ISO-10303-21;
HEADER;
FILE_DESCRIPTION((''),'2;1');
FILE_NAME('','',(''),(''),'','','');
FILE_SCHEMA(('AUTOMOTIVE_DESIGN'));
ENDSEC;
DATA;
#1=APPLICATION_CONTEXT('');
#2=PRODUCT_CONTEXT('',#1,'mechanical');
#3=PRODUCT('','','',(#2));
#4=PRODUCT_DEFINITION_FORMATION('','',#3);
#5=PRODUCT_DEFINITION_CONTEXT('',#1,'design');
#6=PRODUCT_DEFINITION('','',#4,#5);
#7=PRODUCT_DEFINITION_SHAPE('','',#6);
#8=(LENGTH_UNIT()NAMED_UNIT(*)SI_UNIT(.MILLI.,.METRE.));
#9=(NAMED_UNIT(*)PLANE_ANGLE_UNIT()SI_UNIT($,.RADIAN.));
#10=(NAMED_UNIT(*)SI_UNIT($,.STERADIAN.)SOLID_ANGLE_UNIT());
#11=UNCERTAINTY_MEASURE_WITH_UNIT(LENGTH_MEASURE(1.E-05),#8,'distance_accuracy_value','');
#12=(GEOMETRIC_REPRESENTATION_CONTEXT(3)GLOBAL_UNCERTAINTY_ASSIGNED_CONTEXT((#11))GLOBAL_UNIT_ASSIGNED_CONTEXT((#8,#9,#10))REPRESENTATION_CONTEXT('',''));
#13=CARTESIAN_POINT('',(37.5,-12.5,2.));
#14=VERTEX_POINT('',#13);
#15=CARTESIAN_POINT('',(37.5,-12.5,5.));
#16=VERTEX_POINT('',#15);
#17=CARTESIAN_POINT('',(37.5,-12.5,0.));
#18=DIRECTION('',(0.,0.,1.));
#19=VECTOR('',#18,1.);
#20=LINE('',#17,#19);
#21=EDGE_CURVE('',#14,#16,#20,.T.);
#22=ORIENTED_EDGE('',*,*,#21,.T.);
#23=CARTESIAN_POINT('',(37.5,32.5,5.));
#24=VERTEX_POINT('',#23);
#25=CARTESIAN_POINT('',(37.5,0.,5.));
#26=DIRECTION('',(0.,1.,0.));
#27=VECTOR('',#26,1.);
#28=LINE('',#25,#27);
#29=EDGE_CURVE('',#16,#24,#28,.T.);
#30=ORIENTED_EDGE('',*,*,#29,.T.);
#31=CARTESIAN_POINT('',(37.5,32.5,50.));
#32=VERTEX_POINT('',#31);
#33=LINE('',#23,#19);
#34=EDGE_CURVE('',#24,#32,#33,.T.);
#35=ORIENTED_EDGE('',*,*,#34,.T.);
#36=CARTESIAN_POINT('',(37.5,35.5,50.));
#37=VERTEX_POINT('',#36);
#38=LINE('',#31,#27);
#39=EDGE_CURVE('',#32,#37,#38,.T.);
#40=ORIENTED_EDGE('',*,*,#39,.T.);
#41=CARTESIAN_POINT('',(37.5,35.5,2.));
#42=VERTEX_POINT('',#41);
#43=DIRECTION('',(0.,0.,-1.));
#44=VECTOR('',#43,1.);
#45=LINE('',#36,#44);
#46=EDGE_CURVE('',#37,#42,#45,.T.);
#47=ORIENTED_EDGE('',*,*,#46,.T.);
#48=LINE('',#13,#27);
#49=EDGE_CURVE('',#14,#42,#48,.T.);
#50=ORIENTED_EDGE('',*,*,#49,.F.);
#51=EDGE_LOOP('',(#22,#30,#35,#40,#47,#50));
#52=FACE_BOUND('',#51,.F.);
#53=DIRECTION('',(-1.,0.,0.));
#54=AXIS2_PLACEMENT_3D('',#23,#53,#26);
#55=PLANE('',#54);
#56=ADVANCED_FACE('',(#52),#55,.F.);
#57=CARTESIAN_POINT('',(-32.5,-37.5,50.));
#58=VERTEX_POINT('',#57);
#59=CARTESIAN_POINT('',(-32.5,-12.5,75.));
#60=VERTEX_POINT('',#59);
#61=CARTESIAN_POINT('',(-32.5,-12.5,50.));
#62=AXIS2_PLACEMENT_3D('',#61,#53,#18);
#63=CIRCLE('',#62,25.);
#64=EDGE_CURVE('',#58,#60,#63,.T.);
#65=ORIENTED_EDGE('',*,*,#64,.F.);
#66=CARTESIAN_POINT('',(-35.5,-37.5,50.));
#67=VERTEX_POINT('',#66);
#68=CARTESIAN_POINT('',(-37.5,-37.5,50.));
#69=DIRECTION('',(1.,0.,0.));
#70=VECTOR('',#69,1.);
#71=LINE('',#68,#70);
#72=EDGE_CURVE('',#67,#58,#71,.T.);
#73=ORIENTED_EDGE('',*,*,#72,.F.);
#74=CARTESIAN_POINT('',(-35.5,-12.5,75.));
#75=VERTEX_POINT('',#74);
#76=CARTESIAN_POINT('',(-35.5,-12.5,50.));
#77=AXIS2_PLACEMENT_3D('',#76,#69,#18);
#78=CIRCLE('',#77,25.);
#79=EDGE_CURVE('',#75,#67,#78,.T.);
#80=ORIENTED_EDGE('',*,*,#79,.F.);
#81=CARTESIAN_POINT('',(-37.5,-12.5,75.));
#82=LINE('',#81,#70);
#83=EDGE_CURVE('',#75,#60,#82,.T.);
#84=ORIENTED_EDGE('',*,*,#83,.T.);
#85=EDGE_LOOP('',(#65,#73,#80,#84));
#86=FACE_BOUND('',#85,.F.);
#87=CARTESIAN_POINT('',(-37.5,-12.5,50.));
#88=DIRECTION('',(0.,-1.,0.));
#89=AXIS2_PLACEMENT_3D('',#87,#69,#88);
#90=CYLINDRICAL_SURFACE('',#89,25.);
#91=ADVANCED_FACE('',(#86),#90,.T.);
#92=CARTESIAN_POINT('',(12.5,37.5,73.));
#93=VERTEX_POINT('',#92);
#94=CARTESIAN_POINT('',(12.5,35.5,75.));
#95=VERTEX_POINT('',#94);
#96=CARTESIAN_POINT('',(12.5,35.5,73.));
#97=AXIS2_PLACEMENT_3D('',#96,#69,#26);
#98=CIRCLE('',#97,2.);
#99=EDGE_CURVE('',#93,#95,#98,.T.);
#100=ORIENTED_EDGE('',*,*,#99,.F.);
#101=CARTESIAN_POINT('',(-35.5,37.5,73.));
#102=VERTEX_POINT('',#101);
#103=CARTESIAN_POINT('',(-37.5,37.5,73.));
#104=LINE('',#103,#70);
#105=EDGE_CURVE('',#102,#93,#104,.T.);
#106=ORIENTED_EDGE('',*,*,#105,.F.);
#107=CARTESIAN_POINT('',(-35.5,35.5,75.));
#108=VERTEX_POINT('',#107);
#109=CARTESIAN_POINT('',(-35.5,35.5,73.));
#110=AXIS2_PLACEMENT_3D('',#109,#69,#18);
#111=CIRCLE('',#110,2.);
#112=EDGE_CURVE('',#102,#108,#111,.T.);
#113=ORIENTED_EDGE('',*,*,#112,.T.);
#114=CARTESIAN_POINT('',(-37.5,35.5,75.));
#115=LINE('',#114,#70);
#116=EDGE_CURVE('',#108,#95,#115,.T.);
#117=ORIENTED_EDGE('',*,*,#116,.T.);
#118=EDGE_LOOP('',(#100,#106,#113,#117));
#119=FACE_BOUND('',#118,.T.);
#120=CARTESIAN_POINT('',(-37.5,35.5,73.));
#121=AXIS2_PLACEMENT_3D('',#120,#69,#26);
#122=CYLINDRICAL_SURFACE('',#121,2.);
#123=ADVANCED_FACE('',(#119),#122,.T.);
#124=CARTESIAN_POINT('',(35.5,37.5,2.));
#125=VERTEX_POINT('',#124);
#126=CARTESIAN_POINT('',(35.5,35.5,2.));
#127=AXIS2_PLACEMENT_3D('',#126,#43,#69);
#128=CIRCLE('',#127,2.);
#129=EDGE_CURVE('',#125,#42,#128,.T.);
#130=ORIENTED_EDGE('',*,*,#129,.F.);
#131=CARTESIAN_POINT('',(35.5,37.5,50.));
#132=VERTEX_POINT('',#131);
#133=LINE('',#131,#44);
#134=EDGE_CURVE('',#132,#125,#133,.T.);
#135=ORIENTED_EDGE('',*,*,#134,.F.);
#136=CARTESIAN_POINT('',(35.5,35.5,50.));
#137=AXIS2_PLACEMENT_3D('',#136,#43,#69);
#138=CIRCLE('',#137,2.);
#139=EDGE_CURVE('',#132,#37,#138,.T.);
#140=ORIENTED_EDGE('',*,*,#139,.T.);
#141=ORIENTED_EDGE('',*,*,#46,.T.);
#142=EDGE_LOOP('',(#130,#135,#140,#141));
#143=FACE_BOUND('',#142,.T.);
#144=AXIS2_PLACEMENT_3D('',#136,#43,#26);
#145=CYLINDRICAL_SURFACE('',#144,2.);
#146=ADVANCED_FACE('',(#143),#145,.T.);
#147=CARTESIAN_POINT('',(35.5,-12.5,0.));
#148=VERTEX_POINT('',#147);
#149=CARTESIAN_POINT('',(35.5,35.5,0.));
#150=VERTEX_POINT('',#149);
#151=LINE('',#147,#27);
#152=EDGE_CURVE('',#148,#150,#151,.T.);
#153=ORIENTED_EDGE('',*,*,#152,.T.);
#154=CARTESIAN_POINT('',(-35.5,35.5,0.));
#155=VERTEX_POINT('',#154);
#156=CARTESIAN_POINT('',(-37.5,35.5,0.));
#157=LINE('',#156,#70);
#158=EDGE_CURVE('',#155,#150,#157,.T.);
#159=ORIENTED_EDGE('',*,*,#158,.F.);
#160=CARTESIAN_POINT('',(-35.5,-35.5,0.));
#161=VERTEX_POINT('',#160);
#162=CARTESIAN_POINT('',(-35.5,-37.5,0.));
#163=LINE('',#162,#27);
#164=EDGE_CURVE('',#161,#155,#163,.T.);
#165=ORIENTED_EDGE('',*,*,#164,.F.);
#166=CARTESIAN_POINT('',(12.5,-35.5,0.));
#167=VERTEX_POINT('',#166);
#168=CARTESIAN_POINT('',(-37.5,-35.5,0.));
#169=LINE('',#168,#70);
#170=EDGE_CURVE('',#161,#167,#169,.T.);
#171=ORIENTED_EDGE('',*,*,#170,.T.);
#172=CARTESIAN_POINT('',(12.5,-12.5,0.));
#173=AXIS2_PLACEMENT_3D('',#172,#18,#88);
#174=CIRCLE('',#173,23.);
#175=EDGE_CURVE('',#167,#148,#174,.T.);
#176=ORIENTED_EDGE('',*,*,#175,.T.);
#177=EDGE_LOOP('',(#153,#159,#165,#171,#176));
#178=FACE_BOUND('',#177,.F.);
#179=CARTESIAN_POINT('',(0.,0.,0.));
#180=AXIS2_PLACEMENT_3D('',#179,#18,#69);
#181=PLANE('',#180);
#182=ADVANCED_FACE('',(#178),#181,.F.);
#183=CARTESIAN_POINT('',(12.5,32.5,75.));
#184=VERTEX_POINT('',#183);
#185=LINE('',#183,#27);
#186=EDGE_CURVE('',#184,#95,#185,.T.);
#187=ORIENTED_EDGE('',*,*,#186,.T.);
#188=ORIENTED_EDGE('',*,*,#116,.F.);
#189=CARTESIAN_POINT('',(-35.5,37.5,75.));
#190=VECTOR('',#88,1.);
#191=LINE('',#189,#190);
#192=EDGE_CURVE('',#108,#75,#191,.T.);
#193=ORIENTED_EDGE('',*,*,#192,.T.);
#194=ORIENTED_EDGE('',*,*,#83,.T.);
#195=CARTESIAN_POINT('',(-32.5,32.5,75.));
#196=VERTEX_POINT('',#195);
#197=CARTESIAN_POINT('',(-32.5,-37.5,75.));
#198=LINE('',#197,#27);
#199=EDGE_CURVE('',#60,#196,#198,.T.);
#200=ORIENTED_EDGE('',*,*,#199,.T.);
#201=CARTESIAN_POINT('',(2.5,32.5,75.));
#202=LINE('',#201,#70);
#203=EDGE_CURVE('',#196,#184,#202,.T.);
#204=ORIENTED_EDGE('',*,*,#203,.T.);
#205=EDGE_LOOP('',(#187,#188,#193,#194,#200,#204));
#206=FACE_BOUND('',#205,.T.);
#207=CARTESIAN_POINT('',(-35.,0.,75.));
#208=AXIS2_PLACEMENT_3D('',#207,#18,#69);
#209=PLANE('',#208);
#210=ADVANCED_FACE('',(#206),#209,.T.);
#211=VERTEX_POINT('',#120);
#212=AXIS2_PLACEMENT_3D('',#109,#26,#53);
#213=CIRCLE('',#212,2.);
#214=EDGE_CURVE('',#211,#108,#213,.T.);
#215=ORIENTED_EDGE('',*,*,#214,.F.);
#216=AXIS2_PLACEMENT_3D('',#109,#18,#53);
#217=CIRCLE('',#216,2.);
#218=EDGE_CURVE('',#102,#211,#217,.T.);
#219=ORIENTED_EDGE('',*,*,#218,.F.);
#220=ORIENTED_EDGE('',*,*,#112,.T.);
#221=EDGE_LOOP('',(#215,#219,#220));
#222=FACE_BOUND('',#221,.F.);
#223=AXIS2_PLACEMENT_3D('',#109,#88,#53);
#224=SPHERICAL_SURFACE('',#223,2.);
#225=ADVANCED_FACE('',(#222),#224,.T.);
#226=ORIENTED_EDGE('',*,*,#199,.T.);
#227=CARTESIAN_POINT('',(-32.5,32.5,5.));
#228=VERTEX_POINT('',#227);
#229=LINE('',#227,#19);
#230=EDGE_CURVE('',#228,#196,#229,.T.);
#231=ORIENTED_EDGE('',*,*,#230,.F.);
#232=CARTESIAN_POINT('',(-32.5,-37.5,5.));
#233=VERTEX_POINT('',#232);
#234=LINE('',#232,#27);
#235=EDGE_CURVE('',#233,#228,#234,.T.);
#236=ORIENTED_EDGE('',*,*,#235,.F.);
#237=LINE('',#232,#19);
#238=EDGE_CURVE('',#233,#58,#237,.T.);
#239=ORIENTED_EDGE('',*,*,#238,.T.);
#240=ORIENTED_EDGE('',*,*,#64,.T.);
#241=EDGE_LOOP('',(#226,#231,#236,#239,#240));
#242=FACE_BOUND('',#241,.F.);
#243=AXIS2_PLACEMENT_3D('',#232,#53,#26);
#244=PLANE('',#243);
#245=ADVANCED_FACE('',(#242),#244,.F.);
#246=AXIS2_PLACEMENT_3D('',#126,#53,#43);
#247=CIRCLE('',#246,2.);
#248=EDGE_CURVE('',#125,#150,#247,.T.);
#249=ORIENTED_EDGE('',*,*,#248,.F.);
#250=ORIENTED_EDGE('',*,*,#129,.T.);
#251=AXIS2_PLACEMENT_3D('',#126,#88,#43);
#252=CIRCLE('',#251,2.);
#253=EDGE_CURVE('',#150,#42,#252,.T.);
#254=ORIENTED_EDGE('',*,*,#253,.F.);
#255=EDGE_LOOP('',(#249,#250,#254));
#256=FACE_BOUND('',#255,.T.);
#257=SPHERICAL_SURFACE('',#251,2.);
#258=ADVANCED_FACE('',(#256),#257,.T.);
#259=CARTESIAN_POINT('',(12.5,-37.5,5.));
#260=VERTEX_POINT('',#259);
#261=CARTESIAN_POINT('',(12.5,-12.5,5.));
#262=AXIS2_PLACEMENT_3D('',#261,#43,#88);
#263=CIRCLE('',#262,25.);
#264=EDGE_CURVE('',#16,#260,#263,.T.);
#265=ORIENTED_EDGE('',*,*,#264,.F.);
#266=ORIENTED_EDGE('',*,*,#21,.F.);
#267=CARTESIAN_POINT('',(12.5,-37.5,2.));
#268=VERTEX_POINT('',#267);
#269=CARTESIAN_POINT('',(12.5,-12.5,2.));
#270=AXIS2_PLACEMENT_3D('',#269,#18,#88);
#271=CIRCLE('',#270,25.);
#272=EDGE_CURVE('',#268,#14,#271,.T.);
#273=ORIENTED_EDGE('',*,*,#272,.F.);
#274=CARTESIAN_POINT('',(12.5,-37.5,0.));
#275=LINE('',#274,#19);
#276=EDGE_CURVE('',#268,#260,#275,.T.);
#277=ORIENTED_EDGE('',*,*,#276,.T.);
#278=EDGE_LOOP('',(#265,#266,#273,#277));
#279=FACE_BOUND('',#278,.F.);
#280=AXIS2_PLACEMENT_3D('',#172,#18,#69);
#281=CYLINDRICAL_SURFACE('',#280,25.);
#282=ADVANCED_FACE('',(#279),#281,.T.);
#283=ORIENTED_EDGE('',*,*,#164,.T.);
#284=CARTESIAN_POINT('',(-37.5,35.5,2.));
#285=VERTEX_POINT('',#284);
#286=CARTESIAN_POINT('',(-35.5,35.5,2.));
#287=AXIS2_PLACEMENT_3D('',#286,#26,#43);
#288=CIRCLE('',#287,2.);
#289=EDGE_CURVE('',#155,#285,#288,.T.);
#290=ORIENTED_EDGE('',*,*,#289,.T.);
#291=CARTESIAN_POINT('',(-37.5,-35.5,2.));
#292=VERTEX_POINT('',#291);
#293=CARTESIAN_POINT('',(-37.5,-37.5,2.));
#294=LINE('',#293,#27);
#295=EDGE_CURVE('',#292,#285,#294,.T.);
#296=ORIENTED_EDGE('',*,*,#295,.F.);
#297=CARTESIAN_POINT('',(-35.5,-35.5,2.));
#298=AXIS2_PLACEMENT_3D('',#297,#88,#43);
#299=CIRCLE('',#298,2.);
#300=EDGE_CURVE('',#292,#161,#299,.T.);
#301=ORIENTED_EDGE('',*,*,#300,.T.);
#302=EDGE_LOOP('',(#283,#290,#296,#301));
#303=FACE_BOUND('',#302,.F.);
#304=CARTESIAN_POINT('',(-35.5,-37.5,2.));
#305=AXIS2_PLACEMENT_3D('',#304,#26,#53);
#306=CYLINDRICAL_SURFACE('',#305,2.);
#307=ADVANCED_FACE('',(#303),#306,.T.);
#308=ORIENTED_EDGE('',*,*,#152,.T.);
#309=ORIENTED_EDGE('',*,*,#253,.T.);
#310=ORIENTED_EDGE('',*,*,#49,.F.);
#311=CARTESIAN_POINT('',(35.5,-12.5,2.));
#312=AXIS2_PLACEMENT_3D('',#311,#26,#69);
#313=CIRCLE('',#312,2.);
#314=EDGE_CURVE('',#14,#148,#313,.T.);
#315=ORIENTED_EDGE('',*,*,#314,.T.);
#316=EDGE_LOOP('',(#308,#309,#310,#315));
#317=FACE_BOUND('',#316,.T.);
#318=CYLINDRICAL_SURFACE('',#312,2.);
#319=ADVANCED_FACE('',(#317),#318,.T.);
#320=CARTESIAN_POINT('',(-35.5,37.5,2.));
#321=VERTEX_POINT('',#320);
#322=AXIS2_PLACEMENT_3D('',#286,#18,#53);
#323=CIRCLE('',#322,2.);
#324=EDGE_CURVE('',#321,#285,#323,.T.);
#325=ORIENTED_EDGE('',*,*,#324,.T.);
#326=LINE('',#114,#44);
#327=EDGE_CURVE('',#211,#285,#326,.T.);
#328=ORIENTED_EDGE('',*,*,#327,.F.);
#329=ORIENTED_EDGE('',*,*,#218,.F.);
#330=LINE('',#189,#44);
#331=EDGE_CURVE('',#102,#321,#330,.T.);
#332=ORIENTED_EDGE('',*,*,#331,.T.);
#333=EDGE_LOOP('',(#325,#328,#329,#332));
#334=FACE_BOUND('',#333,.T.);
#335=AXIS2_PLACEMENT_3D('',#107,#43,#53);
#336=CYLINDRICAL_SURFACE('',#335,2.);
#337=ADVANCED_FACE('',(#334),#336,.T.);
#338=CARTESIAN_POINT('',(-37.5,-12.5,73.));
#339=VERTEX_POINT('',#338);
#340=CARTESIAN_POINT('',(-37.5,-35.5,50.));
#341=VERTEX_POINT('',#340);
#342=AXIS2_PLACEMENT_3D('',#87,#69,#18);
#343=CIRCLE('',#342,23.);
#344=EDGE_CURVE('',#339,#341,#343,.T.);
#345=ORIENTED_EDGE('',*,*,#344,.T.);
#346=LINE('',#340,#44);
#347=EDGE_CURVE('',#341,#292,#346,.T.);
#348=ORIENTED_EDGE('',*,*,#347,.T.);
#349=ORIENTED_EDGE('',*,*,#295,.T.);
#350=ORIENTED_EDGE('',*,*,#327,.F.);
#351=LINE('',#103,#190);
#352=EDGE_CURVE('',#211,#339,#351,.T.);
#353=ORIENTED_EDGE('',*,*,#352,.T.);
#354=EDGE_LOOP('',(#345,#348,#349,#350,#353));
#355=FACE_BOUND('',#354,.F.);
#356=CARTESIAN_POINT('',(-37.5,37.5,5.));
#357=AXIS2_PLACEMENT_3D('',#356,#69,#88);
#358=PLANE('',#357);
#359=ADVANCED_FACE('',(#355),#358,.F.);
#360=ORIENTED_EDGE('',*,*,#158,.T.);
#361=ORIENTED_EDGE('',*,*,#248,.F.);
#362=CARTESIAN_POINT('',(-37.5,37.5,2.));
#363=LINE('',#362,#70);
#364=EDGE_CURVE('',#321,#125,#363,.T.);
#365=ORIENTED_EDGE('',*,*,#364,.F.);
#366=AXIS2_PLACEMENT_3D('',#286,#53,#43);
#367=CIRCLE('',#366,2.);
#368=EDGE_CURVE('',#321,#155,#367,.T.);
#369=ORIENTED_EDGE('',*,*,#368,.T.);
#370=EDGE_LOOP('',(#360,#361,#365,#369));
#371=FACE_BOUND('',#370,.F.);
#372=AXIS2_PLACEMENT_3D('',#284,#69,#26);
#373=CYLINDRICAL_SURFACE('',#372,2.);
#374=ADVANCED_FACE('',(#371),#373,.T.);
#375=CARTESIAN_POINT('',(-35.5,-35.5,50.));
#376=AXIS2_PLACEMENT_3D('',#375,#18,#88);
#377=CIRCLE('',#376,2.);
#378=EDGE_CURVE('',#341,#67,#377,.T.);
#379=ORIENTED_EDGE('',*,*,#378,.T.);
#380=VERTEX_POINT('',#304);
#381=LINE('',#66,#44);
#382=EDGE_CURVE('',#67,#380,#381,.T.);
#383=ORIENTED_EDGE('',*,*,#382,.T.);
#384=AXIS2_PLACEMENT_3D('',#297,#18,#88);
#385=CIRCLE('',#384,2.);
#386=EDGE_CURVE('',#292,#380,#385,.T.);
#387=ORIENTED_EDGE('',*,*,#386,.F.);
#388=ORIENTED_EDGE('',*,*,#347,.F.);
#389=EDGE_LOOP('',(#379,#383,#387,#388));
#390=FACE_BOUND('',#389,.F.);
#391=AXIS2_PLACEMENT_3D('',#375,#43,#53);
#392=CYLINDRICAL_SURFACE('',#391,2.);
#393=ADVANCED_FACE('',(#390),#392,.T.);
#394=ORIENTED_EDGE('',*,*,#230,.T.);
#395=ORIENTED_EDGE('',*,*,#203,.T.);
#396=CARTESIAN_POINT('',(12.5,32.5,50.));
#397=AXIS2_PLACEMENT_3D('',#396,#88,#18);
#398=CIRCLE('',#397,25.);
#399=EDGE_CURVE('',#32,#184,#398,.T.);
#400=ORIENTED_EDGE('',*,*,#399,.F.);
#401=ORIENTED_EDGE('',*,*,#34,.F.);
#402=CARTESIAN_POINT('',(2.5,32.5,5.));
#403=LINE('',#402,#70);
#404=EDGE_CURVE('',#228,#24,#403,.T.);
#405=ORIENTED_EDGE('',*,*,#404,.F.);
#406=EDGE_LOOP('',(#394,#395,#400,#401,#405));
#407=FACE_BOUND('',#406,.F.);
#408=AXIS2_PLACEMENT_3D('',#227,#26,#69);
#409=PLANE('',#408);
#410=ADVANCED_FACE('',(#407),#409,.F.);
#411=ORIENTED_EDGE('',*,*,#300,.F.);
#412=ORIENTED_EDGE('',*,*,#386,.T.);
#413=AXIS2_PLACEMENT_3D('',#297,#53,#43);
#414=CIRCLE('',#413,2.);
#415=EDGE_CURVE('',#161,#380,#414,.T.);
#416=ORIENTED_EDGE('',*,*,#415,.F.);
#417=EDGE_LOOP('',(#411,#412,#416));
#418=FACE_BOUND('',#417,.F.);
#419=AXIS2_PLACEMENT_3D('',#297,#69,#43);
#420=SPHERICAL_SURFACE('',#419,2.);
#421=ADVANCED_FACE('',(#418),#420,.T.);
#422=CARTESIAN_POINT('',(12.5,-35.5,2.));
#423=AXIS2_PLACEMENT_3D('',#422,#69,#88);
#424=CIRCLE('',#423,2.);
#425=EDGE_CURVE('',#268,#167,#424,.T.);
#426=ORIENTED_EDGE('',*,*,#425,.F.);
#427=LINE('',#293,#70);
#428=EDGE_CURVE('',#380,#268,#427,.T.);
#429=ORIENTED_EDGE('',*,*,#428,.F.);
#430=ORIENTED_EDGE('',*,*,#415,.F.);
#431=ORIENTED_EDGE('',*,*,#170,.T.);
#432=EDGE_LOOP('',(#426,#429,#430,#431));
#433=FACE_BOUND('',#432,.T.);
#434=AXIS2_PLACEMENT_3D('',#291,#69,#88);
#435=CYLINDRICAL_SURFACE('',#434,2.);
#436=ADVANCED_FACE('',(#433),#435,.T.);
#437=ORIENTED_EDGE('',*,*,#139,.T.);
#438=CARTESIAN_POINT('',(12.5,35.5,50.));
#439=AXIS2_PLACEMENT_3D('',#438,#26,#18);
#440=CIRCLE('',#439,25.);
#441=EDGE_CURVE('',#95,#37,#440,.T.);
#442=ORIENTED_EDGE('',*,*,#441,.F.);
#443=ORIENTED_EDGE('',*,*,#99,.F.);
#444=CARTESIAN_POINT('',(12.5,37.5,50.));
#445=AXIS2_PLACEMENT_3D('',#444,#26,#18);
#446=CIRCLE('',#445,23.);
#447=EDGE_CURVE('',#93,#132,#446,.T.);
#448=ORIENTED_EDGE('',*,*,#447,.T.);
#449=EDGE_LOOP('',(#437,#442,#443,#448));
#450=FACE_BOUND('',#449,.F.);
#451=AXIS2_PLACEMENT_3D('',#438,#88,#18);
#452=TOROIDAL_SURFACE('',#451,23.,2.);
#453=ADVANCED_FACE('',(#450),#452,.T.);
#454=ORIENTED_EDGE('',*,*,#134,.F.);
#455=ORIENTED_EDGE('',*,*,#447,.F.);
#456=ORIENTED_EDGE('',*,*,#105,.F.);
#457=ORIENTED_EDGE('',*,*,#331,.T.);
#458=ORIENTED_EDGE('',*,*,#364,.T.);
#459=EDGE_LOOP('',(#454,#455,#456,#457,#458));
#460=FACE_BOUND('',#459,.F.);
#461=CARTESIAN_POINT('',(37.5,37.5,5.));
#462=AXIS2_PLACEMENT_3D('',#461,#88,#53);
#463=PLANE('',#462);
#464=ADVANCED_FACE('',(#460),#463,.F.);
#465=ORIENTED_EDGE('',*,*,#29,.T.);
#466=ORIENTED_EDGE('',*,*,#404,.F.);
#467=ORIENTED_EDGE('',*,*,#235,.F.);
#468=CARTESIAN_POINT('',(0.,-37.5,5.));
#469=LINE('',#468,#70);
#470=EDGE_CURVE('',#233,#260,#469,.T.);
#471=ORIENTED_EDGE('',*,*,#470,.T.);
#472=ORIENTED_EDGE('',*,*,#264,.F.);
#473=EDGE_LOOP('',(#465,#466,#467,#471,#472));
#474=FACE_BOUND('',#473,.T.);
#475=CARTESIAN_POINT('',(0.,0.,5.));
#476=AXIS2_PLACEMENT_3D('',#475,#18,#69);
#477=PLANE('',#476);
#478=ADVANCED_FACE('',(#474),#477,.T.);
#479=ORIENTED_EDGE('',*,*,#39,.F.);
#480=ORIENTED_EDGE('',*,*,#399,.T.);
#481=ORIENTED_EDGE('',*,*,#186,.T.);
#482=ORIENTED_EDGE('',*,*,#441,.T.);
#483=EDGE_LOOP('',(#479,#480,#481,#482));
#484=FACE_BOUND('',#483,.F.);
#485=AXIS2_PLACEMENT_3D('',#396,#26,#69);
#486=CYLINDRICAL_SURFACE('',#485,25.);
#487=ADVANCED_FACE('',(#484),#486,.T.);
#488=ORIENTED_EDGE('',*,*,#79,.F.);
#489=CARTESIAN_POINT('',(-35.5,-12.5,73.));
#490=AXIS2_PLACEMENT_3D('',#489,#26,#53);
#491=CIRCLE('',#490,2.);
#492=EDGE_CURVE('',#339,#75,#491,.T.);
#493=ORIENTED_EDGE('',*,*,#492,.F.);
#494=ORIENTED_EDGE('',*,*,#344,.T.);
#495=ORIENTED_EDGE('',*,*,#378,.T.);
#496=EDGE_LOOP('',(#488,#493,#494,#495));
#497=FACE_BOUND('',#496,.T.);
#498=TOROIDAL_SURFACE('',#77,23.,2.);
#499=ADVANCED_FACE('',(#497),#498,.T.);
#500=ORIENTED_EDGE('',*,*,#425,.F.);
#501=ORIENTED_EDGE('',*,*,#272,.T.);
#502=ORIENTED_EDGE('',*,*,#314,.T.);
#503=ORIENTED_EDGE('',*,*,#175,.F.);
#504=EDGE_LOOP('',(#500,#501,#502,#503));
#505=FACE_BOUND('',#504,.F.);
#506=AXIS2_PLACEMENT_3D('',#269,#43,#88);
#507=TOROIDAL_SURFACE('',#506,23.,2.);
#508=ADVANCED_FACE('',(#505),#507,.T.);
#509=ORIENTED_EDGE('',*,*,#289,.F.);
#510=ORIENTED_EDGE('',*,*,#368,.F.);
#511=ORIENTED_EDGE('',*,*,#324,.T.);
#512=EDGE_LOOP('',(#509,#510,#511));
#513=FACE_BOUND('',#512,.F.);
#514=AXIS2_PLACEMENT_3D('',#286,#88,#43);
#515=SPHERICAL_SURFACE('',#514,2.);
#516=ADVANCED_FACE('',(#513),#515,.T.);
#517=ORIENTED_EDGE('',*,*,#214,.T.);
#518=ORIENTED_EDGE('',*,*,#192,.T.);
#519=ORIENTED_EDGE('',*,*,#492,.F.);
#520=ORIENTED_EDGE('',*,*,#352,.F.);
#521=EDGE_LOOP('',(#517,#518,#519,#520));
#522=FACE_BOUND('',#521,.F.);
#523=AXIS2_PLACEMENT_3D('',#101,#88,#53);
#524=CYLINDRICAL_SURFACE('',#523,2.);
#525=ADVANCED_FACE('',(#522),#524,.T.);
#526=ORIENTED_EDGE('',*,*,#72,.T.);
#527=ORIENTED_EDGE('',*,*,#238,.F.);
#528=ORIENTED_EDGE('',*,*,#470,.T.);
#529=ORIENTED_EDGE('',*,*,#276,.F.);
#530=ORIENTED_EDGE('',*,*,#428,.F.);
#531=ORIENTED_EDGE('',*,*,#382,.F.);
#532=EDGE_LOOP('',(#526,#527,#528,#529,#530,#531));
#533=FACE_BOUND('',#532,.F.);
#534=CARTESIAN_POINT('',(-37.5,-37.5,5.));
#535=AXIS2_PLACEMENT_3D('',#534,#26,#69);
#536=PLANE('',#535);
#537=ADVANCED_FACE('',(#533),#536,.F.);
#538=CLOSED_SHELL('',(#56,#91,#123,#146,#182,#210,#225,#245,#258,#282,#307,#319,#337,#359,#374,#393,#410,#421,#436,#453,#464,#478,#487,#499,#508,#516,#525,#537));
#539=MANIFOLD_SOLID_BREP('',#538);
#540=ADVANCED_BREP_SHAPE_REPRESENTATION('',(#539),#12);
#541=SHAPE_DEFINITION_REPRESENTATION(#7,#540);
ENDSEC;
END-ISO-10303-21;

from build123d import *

# Parameters (mm, degrees)
F0_W     = 75
F0_H     = 75
F1_DEPTH = 5
F2_W     = 70
F2_H     = 5
F3_DEPTH = 70
F4_R     = 25
F5_R     = 2


with BuildPart() as f1:
    # F0 (on Top) → F1 (new body)
    with BuildSketch(Plane.XY):
        Rectangle(F0_W, F0_H)
    extrude(amount=F1_DEPTH)

    # F2 (on face) → F3 (join)
    with BuildSketch(Plane.XY.offset(5)):
        Polygon((-32.5, 37.5), (-37.5, 37.5), (-37.5, -37.5), (-32.5, -37.5), (-32.5, 32.5), align=None)
        with Locations((2.5, 35)):
            Rectangle(F2_W, F2_H)
    extrude(amount=F3_DEPTH)

    # F4
    f4_edges = [f1.edges().sort_by_distance(p)[0] for p in [
        (37.5, 35, 75),
        (-35, -37.5, 75),
        (37.5, -37.5, 2.5),
    ]]
    fillet(f4_edges, radius=F4_R)

    # F5
    f5_edges = [f1.edges().sort_by_distance(p)[0] for p in [
        (-12.5, -37.5, 0),
        (30.17767, -30.17767, 0),
        (-37.5, 0, 0),
        (37.5, 12.5, 0),
        (0, 37.5, 0),
        (-37.5, 12.5, 75),
        (-37.5, -30.17767, 67.67767),
        (-37.5, 37.5, 37.5),
        (-37.5, -37.5, 25),
        (37.5, 37.5, 25),
        (30.17767, 37.5, 67.67767),
        (-12.5, 37.5, 75),
    ]]
    fillet(f5_edges, radius=F5_R)


solid = f1.part
